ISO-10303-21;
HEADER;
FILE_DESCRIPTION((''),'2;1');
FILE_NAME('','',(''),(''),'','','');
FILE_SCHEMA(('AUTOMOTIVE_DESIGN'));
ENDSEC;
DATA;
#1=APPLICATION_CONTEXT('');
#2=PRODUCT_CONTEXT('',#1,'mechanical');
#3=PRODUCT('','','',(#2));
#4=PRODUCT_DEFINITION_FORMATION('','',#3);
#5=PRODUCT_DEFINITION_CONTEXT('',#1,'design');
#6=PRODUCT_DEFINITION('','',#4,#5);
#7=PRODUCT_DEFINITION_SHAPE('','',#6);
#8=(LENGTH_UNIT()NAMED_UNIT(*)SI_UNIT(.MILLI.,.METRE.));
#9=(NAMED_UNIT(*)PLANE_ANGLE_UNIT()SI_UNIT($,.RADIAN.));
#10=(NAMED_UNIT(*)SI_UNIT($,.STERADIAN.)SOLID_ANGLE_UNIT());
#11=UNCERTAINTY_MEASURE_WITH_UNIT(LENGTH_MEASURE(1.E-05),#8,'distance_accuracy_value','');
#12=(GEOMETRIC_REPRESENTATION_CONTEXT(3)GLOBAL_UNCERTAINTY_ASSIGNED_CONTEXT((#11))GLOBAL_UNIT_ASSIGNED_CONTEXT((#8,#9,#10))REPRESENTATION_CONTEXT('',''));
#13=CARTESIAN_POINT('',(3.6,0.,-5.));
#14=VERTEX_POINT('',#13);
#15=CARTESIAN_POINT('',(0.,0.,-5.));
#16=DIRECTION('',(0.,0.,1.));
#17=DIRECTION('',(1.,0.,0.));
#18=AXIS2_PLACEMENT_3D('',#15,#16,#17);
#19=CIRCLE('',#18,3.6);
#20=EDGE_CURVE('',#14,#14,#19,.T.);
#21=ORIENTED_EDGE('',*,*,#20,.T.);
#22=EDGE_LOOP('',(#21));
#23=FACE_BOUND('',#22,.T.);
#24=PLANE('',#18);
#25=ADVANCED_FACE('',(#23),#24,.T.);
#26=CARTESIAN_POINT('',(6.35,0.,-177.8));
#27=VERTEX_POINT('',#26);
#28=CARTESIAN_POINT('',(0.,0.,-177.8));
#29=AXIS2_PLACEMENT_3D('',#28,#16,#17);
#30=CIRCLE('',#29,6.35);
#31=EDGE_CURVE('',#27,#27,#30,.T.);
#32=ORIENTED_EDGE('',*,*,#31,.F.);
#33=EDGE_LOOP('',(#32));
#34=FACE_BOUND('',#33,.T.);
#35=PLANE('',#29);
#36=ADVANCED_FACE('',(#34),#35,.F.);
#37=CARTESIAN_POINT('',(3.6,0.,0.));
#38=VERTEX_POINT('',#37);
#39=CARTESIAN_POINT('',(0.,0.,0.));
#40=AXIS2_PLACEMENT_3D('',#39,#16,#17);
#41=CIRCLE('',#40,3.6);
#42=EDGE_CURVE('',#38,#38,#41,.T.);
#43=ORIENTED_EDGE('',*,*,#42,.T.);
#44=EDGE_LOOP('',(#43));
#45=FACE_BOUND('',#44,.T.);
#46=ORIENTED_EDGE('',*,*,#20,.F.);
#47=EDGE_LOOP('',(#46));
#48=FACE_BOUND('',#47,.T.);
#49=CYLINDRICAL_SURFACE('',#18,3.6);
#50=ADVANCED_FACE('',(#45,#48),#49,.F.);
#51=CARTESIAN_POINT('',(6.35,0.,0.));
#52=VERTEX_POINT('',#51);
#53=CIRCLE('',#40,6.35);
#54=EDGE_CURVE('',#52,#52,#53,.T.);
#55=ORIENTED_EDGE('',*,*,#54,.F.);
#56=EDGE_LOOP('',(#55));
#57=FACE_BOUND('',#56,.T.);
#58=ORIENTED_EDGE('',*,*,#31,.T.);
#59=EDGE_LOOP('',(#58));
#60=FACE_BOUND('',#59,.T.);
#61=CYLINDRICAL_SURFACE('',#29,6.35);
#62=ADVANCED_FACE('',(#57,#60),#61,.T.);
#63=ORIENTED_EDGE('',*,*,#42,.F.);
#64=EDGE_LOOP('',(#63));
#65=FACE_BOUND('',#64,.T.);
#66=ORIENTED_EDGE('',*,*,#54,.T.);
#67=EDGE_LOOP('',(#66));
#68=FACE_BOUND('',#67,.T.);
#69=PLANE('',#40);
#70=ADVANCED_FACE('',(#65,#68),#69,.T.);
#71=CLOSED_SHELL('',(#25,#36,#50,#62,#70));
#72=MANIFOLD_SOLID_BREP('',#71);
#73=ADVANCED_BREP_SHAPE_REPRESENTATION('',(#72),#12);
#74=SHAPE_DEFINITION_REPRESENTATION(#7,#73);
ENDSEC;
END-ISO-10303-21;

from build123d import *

# Parameters (mm, degrees)
ESQUISSE1_R             = 6.35
BOSS_EXTRU_1_DEPTH      = 177.8
ESQUISSE2_R             = 3.6
ENL_V_MAT_EXTRU_1_DEPTH = 5


with BuildPart() as part:
    # Esquisse1 → Boss.-Extru.1 (new body)
    with BuildSketch(Plane.XY):
        Circle(ESQUISSE1_R)
    extrude(amount=-BOSS_EXTRU_1_DEPTH)

    # Esquisse2 → Enlèv. mat.-Extru.1 (cut)
    with BuildSketch(Plane.XY):
        Circle(ESQUISSE2_R)
    extrude(amount=-ENL_V_MAT_EXTRU_1_DEPTH, mode=Mode.SUBTRACT)


solid = part.part
